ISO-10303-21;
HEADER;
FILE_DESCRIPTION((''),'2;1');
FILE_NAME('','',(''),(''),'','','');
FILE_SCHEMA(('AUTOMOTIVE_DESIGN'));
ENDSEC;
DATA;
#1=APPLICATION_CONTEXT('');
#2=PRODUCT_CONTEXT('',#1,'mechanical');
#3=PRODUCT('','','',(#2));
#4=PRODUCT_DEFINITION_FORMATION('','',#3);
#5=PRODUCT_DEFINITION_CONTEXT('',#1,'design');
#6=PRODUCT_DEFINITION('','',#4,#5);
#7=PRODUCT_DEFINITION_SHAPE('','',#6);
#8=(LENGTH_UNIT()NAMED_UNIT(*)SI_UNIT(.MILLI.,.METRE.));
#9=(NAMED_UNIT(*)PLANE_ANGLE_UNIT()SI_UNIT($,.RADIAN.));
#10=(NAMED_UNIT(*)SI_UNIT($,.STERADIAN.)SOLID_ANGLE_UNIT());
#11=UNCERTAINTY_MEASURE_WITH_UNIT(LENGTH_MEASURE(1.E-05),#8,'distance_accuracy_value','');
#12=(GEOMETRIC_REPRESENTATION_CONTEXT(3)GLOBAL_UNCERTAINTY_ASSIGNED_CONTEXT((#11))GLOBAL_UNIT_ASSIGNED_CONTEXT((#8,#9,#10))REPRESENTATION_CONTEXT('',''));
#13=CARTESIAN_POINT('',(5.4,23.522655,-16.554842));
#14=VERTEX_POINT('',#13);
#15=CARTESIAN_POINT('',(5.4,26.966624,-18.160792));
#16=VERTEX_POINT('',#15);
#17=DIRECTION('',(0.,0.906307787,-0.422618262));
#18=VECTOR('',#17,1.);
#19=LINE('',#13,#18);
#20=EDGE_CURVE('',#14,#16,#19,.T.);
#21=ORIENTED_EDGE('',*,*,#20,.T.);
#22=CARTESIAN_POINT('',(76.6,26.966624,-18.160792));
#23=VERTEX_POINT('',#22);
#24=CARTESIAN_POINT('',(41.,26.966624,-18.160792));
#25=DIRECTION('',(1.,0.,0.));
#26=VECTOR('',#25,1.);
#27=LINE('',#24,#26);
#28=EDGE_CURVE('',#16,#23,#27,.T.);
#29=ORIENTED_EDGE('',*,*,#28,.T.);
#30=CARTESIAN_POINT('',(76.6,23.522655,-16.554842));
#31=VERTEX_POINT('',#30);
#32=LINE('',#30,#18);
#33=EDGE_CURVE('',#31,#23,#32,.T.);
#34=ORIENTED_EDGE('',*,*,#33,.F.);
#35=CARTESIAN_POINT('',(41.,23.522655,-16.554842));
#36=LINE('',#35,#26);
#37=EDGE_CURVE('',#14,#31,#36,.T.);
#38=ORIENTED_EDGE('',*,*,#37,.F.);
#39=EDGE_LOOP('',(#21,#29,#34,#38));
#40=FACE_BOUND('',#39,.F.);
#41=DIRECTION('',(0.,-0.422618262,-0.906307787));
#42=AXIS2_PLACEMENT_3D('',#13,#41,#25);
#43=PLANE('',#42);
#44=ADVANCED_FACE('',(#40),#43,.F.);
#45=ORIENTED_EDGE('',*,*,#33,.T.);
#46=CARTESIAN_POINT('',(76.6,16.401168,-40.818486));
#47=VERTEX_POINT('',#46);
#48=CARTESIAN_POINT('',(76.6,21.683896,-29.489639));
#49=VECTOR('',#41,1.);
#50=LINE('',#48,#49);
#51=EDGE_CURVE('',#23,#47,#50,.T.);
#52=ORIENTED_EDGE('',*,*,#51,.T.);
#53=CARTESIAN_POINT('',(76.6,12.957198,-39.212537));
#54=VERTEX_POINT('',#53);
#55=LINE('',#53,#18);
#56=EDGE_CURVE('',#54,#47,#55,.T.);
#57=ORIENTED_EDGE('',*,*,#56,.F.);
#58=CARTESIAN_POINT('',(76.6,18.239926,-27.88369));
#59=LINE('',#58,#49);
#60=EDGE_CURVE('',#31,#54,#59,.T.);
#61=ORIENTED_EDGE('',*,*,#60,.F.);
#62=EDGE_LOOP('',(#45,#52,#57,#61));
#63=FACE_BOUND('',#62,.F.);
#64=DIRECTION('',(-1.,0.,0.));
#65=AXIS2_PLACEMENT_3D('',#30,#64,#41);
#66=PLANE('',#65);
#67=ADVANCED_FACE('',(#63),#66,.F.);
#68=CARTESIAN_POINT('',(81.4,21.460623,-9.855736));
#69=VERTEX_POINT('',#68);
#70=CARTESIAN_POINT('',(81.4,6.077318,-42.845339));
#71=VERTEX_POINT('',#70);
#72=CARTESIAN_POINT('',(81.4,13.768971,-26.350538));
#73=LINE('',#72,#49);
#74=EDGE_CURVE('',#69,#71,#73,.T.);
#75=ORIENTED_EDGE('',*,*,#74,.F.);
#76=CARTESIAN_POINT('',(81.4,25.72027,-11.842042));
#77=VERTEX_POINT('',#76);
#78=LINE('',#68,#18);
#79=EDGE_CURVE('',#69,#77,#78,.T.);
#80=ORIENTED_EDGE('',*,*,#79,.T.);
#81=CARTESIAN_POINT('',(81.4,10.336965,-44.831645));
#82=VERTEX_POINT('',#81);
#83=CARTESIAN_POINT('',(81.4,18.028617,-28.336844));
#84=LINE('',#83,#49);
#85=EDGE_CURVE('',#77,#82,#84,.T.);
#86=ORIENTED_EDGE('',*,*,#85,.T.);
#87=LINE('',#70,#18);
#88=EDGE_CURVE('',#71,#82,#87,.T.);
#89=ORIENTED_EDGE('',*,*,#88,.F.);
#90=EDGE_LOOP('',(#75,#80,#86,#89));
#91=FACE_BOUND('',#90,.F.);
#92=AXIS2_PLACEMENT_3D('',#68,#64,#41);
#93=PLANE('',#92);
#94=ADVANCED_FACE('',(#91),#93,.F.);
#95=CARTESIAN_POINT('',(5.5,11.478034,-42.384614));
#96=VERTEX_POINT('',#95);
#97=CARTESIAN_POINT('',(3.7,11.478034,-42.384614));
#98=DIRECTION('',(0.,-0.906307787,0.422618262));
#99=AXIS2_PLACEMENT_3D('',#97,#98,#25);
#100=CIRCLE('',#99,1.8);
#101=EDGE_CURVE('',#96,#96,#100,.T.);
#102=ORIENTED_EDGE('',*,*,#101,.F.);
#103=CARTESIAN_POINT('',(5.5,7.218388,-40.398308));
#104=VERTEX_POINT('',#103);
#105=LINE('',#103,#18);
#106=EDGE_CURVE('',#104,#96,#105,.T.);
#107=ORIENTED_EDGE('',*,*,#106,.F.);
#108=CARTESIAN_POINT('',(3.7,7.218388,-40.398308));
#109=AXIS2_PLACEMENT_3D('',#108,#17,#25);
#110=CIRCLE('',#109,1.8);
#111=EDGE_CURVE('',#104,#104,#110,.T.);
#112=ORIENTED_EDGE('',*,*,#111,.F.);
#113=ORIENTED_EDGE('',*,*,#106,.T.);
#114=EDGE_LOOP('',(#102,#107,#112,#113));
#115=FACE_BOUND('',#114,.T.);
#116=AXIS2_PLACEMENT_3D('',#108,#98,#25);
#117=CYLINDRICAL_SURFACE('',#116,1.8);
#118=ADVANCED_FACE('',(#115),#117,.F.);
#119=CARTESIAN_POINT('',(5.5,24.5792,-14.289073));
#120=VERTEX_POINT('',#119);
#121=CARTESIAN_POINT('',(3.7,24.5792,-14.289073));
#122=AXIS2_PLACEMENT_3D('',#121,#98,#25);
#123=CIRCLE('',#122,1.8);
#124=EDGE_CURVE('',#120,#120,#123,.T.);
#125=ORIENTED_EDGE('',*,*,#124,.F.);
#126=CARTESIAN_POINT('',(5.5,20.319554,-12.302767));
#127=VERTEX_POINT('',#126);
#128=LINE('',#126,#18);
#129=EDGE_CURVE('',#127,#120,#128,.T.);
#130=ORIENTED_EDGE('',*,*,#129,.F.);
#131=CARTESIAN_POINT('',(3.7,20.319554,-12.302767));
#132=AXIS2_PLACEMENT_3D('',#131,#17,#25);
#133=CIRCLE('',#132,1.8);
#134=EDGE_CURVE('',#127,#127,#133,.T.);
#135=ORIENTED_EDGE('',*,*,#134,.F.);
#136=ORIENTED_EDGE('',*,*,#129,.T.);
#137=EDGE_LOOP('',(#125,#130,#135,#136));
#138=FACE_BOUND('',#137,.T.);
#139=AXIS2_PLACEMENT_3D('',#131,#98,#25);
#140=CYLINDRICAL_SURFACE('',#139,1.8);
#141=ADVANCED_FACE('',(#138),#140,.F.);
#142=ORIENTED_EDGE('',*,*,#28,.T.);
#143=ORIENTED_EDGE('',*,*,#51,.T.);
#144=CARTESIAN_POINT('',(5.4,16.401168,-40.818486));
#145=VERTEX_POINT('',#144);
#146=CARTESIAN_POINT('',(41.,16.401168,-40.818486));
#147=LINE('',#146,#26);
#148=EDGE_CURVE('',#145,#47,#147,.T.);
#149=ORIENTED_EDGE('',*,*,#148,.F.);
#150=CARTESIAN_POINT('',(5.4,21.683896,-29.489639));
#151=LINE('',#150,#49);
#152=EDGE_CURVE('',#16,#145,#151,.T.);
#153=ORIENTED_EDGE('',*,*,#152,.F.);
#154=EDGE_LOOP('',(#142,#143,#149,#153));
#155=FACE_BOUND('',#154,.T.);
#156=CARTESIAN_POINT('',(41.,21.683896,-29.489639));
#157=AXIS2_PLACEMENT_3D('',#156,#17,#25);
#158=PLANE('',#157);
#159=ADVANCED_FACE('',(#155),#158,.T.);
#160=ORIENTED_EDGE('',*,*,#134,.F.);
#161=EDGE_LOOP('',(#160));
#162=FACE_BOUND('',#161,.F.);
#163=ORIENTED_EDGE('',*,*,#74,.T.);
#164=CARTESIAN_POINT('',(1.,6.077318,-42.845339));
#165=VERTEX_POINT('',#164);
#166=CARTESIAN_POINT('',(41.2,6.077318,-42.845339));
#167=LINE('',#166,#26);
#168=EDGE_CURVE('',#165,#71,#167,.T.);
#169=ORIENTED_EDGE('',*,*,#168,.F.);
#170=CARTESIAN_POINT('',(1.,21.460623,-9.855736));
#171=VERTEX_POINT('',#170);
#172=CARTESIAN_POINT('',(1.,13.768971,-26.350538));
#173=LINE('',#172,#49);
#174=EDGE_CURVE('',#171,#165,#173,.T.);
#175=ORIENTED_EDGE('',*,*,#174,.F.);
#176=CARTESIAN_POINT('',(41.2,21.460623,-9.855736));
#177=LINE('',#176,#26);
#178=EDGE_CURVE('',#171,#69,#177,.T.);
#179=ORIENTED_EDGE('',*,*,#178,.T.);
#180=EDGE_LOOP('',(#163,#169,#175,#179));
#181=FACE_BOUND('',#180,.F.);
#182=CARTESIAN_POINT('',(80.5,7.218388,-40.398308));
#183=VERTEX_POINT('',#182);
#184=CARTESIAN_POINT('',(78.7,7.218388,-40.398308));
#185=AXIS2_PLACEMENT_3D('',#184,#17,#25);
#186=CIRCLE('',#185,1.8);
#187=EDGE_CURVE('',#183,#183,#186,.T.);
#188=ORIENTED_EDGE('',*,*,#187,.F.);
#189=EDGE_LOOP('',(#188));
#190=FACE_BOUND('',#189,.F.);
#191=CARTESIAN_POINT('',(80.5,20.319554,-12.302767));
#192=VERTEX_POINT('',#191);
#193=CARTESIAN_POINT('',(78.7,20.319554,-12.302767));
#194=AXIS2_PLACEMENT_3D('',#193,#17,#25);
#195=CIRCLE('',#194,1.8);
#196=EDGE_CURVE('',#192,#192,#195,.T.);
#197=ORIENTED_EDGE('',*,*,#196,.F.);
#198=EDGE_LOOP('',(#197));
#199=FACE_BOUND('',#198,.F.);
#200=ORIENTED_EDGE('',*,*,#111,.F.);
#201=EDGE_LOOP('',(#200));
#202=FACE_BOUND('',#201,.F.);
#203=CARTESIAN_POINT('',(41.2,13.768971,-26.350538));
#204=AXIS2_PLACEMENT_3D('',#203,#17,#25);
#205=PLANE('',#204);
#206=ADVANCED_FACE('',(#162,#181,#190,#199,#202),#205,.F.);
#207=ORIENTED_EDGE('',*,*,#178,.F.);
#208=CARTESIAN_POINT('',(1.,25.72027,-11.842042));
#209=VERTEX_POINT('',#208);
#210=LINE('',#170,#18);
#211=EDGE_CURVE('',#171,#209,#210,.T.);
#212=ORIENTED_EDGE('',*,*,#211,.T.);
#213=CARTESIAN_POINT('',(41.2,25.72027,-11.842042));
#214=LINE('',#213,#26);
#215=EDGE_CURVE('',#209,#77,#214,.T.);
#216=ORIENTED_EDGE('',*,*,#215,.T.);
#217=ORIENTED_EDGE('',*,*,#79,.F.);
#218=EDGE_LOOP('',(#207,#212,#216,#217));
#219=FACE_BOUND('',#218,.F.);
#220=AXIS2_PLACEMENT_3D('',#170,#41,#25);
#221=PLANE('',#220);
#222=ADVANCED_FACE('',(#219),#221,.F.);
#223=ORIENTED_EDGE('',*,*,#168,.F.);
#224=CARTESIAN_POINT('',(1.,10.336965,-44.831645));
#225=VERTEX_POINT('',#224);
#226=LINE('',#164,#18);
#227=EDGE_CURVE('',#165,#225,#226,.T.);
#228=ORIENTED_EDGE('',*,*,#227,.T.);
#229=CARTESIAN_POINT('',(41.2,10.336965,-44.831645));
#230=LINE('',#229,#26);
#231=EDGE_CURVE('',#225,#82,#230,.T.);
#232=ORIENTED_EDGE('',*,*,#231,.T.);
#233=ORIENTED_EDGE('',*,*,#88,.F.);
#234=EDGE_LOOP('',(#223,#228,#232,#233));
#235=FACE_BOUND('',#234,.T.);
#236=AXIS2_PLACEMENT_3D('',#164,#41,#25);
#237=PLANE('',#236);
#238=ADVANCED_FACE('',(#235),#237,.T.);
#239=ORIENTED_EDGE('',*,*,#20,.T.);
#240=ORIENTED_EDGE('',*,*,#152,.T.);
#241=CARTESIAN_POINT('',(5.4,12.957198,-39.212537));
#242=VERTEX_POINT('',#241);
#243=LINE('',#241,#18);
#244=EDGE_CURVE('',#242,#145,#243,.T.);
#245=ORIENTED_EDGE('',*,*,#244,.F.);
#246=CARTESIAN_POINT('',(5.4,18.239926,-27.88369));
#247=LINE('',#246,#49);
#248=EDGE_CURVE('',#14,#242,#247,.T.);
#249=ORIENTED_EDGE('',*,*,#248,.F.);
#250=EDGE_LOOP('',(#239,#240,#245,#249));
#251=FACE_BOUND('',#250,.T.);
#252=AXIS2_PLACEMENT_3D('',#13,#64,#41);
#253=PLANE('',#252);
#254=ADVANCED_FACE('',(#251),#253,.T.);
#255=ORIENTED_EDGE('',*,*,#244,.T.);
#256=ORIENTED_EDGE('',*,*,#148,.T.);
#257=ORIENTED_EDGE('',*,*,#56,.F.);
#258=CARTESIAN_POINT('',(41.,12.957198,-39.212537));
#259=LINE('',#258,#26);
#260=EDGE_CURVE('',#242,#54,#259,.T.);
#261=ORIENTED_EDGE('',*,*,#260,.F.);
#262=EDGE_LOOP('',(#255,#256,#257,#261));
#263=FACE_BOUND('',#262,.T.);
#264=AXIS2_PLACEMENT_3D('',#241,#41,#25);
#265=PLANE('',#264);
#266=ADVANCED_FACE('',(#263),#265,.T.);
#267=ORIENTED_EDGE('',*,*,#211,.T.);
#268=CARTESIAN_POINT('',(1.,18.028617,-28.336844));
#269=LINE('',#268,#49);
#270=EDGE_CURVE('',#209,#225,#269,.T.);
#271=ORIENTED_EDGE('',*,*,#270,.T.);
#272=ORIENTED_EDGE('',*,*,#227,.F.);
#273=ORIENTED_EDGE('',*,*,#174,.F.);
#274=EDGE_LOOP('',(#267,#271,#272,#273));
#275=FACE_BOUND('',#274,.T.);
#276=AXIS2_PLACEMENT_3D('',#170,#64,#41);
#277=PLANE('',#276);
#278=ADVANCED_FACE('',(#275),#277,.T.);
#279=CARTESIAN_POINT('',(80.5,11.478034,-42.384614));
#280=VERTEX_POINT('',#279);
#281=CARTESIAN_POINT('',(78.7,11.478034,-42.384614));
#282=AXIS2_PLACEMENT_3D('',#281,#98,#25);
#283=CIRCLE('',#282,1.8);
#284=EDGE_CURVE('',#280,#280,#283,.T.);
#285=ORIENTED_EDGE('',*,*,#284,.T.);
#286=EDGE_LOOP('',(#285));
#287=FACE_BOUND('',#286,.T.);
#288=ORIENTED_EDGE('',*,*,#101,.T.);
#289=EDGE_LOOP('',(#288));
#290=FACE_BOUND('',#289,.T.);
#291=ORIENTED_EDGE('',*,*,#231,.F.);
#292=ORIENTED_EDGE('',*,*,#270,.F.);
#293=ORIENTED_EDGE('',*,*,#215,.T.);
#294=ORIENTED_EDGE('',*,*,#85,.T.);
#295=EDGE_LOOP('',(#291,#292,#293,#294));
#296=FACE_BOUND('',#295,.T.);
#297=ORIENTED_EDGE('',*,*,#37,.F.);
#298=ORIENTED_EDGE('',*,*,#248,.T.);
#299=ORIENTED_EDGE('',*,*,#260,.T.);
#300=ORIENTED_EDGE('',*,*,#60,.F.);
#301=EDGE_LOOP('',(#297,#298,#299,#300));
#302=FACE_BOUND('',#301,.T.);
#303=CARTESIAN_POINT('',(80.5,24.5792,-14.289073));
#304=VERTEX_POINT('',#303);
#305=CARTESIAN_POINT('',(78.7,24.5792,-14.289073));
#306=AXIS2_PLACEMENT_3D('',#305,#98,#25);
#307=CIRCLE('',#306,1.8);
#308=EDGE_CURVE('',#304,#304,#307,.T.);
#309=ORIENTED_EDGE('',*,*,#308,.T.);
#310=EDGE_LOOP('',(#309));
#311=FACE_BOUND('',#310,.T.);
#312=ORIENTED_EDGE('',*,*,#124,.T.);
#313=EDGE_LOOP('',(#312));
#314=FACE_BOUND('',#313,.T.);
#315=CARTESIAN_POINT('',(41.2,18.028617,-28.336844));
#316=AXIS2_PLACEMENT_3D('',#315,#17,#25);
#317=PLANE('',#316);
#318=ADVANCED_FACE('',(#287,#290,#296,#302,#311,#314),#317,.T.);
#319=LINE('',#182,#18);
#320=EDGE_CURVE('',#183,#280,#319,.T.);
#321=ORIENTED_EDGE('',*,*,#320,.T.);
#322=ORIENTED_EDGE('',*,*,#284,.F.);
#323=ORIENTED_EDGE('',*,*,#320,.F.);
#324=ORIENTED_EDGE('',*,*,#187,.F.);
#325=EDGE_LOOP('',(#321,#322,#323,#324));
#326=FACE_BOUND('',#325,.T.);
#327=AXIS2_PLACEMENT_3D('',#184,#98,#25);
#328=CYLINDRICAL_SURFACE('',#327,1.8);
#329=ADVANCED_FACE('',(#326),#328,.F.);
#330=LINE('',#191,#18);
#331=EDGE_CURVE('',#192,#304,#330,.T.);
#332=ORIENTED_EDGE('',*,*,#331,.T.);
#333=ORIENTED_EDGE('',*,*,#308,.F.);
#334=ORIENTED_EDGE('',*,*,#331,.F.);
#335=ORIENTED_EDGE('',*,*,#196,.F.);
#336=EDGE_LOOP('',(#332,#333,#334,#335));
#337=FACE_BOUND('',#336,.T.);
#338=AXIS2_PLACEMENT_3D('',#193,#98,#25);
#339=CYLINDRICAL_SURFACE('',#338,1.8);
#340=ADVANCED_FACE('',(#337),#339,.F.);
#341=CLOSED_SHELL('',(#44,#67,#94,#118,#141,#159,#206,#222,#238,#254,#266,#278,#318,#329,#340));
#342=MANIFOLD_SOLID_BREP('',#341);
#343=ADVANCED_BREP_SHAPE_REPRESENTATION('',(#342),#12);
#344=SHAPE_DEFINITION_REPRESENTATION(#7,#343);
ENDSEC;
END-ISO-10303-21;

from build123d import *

# Parameters (mm, degrees)
CYLINDER002_R           = 1.8
CYLINDER002_DEPTH       = 10
ARRAY003_X_COUNT        = 2
ARRAY003_X_PITCH        = 75
ARRAY003_Y_COUNT        = 2
ARRAY003_Y_PITCH        = 31
BOX008_W                = 80.4
BOX008_H                = 36.4
BOX008_DEPTH            = 4.7
BOX_W                   = 71.2
BOX_H                   = 25
BOX_DEPTH               = 3.8
BODY001_PLACEMENT_ANGLE = 115


with BuildPart() as hole_clone:
    # Cylinder002 → Cylinder002 (new body)
    with BuildSketch(Plane(origin=(3.7, 3.7, 0), x_dir=(1, 0, 0), z_dir=(0, 0, 1))):
        Circle(CYLINDER002_R)
    extrude(amount=CYLINDER002_DEPTH)

    # Array003 X: hole clone ×2


with BuildPart() as hole_clone_1:
    add(hole_clone.part)
    with Locations(*[(i * ARRAY003_X_PITCH, 0, 0) for i in range(1, ARRAY003_X_COUNT)]):
        add(hole_clone.part)

    # Array003 Y: hole clone ×2


with BuildPart() as hole_clone_2:
    add(hole_clone_1.part)
    with Locations(*[(0, i * ARRAY003_Y_PITCH, 0) for i in range(1, ARRAY003_Y_COUNT)]):
        add(hole_clone_1.part)


with BuildPart() as hole_clone_3:
    # Body placement: moved
    add(hole_clone_2.part.moved(Location((-1, -1, 0))))


with BuildPart() as under_display:
    # Box008 → Box008 (new body)
    with BuildSketch(Plane.XY):
        with Locations((40.2, 18.2)):
            Rectangle(BOX008_W, BOX008_H)
    extrude(amount=BOX008_DEPTH)


with BuildPart() as f_16x2_lcd_clone:
    # Box → Box (new body)
    with BuildSketch(Plane(origin=(4.4, 5.2, 4.7), x_dir=(1, 0, 0), z_dir=(0, 0, 1))):
        with Locations((35.6, 12.5)):
            Rectangle(BOX_W, BOX_H)
    extrude(amount=BOX_DEPTH)

    # Fusion004: union under display
    add(under_display.part)

    # Cut: cut hole clone
    add(hole_clone_3.part, mode=Mode.SUBTRACT)


with BuildPart() as f_16x2_lcd_clone_1:
    # Body001 placement: moved
    add(f_16x2_lcd_clone.part.moved(Location((1, 21.460623, -9.855736))).rotate(Axis((1, 21.460623, -9.855736), (-1, 0, 0)), BODY001_PLACEMENT_ANGLE))


solid = f_16x2_lcd_clone_1.part
